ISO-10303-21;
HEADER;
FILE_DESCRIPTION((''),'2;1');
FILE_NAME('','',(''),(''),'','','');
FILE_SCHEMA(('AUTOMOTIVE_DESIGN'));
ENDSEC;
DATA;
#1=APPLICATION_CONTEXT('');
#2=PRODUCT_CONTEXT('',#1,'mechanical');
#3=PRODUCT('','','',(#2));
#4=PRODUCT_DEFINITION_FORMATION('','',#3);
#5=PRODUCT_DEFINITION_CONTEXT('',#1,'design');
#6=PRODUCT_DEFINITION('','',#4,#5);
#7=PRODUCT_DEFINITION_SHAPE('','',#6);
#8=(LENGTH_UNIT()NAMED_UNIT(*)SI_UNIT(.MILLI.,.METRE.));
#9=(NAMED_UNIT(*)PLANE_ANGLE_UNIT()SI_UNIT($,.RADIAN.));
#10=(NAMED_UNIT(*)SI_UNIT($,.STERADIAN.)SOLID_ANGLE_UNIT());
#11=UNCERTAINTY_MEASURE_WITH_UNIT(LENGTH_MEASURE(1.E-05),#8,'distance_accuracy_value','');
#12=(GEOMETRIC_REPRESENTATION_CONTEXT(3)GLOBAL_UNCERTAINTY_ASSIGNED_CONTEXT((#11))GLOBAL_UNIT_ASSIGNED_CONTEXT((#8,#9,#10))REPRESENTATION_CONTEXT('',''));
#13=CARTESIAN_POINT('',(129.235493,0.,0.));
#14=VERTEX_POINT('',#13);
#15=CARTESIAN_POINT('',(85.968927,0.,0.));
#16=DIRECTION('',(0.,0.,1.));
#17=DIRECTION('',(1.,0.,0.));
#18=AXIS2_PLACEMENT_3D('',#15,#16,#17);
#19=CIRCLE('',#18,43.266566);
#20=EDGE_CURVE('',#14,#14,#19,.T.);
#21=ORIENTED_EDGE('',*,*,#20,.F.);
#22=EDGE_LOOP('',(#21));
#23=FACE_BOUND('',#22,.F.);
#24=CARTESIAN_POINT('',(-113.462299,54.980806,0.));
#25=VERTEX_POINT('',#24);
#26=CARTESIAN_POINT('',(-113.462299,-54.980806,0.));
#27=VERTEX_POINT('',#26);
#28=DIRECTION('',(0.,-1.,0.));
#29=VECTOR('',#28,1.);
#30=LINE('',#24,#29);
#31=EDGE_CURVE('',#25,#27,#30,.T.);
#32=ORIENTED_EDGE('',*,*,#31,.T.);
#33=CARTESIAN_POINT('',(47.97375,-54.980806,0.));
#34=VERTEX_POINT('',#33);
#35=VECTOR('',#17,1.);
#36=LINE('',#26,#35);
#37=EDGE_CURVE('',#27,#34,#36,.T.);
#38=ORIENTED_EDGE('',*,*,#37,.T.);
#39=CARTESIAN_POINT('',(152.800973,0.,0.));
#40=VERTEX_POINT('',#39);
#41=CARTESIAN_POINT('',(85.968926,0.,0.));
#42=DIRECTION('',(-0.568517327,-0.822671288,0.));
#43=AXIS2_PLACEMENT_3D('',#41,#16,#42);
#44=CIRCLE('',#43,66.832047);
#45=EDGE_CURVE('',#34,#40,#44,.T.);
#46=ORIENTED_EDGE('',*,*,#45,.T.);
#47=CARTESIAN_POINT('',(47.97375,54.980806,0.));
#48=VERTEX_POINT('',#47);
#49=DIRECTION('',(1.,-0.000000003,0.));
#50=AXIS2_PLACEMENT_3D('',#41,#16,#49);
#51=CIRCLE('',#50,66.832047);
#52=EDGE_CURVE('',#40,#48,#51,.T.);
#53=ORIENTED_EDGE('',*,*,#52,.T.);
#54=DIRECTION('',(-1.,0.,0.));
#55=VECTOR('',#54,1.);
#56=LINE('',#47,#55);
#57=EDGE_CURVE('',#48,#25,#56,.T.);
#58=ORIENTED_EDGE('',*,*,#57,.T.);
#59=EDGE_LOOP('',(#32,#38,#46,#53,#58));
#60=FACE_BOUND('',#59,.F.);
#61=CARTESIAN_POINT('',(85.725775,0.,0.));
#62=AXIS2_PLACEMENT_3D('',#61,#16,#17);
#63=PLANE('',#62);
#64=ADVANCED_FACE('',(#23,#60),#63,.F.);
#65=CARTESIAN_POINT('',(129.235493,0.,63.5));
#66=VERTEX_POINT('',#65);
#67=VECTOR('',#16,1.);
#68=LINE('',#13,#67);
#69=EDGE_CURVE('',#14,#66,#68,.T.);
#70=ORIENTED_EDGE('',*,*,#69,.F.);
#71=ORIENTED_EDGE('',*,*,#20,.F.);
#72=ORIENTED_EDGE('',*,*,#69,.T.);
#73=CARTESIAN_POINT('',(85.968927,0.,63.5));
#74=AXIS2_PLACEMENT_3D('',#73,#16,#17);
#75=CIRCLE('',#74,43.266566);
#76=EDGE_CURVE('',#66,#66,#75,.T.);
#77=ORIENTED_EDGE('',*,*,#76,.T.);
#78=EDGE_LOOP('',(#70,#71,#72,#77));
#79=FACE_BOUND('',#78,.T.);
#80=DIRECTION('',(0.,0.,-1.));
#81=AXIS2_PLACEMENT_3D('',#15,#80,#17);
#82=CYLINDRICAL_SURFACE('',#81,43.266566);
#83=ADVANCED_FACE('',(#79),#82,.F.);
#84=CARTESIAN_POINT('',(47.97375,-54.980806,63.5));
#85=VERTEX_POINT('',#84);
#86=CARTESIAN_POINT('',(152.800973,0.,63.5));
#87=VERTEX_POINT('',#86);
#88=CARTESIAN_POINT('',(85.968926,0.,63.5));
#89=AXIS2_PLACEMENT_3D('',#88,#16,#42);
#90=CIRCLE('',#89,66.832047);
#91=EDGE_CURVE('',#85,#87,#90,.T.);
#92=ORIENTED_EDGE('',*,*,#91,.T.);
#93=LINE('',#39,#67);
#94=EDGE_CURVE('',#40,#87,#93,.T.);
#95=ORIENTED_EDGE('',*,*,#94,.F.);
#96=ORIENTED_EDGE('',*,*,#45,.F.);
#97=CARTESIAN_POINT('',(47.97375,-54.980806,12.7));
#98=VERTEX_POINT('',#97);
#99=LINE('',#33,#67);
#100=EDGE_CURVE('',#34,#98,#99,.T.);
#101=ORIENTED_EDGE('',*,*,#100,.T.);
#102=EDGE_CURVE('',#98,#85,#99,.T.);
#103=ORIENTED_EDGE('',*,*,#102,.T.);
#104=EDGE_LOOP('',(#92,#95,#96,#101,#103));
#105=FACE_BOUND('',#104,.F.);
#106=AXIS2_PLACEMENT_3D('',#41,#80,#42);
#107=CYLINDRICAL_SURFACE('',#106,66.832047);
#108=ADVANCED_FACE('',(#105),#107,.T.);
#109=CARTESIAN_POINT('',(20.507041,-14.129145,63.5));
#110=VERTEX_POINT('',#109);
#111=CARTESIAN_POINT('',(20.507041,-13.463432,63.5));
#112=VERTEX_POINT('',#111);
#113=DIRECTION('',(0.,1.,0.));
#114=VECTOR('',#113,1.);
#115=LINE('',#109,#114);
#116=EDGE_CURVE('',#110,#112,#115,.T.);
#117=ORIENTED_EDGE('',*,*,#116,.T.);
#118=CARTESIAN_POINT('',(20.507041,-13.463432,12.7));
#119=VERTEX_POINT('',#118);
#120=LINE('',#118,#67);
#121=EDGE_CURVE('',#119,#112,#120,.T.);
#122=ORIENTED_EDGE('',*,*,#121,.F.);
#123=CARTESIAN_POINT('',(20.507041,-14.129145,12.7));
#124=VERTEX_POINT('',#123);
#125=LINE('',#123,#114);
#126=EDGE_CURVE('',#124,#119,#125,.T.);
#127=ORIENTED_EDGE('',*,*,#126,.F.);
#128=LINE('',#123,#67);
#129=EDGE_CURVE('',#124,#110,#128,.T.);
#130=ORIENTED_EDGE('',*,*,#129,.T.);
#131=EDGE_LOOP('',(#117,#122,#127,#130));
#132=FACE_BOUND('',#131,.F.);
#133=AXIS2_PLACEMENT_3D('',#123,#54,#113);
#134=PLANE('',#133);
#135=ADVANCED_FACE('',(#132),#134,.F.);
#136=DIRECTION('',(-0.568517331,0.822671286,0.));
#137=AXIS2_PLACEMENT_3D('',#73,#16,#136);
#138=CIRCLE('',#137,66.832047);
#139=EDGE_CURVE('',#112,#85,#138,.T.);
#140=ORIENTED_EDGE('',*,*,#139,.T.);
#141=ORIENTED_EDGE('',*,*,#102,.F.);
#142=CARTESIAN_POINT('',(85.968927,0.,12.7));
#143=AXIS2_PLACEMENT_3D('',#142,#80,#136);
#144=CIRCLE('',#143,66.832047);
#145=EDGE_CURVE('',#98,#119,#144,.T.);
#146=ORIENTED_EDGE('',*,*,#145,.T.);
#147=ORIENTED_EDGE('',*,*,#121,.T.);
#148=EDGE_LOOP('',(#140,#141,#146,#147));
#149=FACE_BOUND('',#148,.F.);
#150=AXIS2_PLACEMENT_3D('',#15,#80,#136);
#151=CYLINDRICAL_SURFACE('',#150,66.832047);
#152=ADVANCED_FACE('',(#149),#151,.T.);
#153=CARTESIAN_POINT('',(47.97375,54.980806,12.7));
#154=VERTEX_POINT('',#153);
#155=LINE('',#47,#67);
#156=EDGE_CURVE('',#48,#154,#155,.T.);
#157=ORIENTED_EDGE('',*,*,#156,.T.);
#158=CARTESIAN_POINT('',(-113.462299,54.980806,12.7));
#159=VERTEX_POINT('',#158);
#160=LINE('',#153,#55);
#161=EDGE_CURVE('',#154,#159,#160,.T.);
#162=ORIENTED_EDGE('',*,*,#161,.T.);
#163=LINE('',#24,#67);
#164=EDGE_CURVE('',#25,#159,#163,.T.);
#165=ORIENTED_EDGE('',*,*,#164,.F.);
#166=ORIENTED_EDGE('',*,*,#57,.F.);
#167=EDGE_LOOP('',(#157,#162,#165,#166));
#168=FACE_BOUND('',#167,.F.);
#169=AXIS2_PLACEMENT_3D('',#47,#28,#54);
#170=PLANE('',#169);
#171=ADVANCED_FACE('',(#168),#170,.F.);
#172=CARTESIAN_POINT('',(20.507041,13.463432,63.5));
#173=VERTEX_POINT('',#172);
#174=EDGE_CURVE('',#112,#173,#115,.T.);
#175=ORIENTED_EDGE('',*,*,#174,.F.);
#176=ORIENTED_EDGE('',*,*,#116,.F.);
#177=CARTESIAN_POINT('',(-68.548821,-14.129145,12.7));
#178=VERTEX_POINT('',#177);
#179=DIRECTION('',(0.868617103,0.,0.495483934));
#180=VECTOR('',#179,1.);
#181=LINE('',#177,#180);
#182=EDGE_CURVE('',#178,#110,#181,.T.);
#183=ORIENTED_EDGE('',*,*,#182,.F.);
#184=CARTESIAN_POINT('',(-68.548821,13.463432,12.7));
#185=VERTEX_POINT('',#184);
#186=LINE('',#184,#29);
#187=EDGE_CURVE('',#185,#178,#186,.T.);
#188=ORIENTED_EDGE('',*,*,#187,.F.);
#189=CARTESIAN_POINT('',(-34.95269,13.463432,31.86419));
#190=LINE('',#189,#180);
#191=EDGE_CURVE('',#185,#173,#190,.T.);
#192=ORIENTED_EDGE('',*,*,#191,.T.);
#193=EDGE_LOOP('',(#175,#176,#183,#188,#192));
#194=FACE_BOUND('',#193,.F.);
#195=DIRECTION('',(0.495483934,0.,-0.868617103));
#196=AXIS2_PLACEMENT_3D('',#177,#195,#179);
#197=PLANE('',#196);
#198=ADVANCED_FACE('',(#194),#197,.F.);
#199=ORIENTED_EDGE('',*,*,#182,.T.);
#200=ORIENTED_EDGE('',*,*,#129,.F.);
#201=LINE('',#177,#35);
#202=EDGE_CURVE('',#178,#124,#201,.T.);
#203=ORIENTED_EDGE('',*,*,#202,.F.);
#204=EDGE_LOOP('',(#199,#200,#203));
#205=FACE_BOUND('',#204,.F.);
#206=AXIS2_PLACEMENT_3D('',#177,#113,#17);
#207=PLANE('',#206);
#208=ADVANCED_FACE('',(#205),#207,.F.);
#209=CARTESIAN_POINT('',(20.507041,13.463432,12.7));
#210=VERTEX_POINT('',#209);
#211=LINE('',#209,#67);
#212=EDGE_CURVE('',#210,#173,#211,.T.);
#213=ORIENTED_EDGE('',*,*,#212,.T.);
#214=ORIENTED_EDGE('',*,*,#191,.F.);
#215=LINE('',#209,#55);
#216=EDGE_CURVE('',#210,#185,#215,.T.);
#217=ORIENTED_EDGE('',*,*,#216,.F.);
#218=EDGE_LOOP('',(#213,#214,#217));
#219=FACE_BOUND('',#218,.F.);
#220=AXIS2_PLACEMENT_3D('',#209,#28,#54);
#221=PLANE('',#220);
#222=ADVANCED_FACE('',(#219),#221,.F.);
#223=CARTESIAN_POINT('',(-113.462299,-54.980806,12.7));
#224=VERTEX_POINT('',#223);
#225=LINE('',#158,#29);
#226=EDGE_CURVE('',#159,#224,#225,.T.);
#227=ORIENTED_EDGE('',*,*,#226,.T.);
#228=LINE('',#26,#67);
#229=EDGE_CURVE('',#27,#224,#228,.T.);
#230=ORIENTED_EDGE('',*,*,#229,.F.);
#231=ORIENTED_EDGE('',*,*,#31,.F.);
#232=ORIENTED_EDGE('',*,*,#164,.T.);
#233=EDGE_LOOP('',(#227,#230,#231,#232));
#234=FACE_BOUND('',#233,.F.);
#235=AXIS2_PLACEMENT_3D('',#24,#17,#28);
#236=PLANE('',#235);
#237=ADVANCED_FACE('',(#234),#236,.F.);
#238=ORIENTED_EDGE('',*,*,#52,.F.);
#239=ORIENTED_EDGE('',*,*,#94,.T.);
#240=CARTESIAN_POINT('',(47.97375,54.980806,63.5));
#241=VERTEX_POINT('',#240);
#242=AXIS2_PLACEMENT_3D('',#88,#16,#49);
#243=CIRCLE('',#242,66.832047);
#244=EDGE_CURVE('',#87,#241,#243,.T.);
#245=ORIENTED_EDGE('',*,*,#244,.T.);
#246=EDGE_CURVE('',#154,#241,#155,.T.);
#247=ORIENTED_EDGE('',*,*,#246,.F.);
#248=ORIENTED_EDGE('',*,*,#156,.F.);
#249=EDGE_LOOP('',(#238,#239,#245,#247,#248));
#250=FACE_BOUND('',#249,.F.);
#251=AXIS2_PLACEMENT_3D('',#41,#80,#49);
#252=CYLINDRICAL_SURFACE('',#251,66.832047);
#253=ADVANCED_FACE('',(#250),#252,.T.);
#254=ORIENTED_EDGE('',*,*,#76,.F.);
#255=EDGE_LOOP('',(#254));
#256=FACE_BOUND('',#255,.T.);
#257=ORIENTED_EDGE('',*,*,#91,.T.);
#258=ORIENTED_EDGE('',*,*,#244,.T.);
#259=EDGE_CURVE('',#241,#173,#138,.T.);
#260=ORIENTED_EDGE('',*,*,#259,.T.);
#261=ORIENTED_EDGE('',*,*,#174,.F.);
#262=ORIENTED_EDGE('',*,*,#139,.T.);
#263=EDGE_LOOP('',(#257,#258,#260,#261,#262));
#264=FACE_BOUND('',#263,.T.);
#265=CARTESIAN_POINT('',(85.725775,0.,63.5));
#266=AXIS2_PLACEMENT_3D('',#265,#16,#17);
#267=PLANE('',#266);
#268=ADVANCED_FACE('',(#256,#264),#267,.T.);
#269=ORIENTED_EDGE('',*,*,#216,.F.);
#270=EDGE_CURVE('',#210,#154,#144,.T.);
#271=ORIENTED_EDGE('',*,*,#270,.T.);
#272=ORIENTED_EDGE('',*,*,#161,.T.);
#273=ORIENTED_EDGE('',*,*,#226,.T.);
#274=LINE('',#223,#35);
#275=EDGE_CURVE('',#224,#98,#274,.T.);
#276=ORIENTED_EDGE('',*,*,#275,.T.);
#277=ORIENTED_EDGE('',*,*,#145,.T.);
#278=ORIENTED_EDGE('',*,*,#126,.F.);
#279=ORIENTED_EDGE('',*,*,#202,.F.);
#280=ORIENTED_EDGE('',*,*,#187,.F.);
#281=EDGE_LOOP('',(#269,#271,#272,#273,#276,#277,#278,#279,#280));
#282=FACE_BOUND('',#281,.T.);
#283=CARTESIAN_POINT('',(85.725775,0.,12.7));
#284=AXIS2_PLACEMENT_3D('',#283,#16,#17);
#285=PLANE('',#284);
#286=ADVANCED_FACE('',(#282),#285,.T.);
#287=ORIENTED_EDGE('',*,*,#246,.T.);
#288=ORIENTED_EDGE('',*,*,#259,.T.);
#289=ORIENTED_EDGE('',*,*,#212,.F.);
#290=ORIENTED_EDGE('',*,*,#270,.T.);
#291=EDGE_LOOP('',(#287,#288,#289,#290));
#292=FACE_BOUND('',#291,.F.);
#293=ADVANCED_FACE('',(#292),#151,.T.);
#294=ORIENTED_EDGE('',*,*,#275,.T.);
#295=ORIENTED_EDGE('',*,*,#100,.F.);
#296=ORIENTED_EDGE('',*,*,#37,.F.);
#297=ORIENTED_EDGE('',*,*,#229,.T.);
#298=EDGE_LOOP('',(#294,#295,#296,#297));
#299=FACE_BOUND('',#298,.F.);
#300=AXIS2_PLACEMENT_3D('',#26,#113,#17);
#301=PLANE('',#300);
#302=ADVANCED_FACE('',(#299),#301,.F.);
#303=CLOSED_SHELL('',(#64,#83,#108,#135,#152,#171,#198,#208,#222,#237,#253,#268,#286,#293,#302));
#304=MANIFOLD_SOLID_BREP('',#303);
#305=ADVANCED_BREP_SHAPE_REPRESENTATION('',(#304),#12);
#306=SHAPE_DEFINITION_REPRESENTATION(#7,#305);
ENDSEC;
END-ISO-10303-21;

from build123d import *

# Parameters (mm, degrees)
F0_R     = 43.266566
F1_DEPTH = 12.7
F2_DEPTH = 63.5
F4_DEPTH = 50.8
F6_DEPTH = 80.962192


with BuildPart() as f1:
    # F0 (on Top) → F1 (new body)
    with BuildSketch(Plane.XY):
        with BuildLine():
            ThreePointArc((47.97375, -54.980806), (117.011051, -59.185378), (152.800973, 0))
            ThreePointArc((152.800973, 0), (117.011051, 59.185378), (47.97375, 54.980806))
            ThreePointArc((47.97375, 54.980806), (19.13688, 0), (47.97375, -54.980806))
        make_face()
        with Locations((85.968927, 0)):
            Circle(F0_R, mode=Mode.SUBTRACT)
        with BuildLine():
            ThreePointArc((47.97375, -54.980806), (19.13688, 0), (47.97375, 54.980806))
            Line((47.97375, 54.980806), (-113.462299, 54.980806))
            Line((-113.462299, 54.980806), (-113.462299, -54.980806))
            Line((-113.462299, -54.980806), (47.97375, -54.980806))
        make_face()
    extrude(amount=F1_DEPTH)

    # F0 (on Top) → F2 (join)
    with BuildSketch(Plane.XY):
        with BuildLine():
            ThreePointArc((47.97375, -54.980806), (117.011051, -59.185378), (152.800973, 0))
            ThreePointArc((152.800973, 0), (117.011051, 59.185378), (47.97375, 54.980806))
            ThreePointArc((47.97375, 54.980806), (19.13688, 0), (47.97375, -54.980806))
        make_face()
        with Locations((85.968927, 0)):
            Circle(F0_R, mode=Mode.SUBTRACT)
    extrude(amount=F2_DEPTH)

    # F3 (on face) → F4 (join)
    with BuildSketch(Plane.XY.offset(12.7)):
        with BuildLine():
            ThreePointArc((20.507041, -13.463432), (19.13688, 0), (20.507041, 13.463432))
            Line((20.507041, 13.463432), (-68.548821, 13.463432))
            Line((-68.548821, 13.463432), (-68.548821, -14.129145))
            Line((-68.548821, -14.129145), (20.507041, -14.129145))
            Line((20.507041, -14.129145), (20.507041, -13.463432))
        make_face()
    extrude(amount=F4_DEPTH)

    # F5 (on face) → F6 (cut, through all)
    with BuildSketch(Plane.XZ.offset(14.129145)):
        Polygon((-68.548821, 12.7), (20.507041, 63.5), (-68.548821, 63.5), align=None)
    extrude(amount=-F6_DEPTH, mode=Mode.SUBTRACT)


solid = f1.part
